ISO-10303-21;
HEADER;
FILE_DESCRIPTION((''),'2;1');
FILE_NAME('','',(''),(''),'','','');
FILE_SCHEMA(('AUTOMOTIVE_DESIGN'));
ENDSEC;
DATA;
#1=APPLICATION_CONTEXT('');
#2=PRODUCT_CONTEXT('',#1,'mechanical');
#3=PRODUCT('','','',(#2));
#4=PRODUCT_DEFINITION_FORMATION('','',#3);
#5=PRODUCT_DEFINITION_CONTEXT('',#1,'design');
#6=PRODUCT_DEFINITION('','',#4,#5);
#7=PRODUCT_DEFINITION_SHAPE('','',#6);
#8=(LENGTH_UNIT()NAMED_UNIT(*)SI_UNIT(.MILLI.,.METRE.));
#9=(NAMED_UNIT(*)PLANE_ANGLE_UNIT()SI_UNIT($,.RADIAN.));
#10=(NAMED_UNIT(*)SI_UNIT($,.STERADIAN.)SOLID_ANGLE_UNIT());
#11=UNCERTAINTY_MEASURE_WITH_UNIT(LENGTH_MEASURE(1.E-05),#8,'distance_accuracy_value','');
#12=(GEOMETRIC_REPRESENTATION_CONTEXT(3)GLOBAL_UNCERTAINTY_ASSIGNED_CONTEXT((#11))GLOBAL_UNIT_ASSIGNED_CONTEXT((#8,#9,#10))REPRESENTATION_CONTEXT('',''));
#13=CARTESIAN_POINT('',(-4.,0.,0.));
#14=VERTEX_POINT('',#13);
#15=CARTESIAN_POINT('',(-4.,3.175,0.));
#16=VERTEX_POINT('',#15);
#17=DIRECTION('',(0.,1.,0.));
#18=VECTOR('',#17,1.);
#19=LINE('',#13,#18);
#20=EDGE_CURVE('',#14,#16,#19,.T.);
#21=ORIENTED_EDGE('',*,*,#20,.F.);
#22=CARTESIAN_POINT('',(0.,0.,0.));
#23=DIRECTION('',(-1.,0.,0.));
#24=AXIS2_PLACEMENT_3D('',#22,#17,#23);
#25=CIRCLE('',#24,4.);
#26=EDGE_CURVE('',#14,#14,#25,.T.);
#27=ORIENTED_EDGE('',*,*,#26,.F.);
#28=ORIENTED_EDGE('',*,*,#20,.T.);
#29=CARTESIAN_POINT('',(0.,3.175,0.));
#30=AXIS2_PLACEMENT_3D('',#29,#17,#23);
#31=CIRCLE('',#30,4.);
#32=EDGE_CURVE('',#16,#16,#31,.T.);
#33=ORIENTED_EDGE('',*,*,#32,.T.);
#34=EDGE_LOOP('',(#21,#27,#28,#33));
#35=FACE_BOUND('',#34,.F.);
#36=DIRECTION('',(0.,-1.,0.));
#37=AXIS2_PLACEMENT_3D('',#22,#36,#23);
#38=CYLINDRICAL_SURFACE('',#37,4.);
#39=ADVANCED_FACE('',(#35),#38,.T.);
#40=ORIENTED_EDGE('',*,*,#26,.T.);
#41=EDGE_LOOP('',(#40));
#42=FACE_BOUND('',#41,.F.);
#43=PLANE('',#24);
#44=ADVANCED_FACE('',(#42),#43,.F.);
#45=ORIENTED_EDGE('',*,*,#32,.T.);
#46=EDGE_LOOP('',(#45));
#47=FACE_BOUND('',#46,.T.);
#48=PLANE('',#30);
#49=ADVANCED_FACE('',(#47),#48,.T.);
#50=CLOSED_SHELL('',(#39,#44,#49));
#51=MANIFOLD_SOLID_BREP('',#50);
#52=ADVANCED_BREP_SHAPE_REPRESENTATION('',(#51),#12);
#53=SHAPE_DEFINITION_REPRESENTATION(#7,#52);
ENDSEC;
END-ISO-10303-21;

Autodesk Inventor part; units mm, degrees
ref_plane "YZ Plane" through (0, 0, 0) normal (1, 0, 0) x (0, 1, 0)
ref_plane "XZ Plane" through (0, 0, 0) normal (0, 1, 0) x (-1, 0, 0)
ref_plane "XY Plane" through (0, 0, 0) normal (0, 0, 1) x (1, 0, 0)
sketch "Sketch1" plane through (0, 0, 0) normal (0, 1, 0) x (-1, 0, 0)
  circle A0 centre (0, 0) radius 4
  dimension "d0" = 8
extrude "Extrusion1" add sketch "Sketch1" along normal blind 3.175
properties part number "button_part2"
